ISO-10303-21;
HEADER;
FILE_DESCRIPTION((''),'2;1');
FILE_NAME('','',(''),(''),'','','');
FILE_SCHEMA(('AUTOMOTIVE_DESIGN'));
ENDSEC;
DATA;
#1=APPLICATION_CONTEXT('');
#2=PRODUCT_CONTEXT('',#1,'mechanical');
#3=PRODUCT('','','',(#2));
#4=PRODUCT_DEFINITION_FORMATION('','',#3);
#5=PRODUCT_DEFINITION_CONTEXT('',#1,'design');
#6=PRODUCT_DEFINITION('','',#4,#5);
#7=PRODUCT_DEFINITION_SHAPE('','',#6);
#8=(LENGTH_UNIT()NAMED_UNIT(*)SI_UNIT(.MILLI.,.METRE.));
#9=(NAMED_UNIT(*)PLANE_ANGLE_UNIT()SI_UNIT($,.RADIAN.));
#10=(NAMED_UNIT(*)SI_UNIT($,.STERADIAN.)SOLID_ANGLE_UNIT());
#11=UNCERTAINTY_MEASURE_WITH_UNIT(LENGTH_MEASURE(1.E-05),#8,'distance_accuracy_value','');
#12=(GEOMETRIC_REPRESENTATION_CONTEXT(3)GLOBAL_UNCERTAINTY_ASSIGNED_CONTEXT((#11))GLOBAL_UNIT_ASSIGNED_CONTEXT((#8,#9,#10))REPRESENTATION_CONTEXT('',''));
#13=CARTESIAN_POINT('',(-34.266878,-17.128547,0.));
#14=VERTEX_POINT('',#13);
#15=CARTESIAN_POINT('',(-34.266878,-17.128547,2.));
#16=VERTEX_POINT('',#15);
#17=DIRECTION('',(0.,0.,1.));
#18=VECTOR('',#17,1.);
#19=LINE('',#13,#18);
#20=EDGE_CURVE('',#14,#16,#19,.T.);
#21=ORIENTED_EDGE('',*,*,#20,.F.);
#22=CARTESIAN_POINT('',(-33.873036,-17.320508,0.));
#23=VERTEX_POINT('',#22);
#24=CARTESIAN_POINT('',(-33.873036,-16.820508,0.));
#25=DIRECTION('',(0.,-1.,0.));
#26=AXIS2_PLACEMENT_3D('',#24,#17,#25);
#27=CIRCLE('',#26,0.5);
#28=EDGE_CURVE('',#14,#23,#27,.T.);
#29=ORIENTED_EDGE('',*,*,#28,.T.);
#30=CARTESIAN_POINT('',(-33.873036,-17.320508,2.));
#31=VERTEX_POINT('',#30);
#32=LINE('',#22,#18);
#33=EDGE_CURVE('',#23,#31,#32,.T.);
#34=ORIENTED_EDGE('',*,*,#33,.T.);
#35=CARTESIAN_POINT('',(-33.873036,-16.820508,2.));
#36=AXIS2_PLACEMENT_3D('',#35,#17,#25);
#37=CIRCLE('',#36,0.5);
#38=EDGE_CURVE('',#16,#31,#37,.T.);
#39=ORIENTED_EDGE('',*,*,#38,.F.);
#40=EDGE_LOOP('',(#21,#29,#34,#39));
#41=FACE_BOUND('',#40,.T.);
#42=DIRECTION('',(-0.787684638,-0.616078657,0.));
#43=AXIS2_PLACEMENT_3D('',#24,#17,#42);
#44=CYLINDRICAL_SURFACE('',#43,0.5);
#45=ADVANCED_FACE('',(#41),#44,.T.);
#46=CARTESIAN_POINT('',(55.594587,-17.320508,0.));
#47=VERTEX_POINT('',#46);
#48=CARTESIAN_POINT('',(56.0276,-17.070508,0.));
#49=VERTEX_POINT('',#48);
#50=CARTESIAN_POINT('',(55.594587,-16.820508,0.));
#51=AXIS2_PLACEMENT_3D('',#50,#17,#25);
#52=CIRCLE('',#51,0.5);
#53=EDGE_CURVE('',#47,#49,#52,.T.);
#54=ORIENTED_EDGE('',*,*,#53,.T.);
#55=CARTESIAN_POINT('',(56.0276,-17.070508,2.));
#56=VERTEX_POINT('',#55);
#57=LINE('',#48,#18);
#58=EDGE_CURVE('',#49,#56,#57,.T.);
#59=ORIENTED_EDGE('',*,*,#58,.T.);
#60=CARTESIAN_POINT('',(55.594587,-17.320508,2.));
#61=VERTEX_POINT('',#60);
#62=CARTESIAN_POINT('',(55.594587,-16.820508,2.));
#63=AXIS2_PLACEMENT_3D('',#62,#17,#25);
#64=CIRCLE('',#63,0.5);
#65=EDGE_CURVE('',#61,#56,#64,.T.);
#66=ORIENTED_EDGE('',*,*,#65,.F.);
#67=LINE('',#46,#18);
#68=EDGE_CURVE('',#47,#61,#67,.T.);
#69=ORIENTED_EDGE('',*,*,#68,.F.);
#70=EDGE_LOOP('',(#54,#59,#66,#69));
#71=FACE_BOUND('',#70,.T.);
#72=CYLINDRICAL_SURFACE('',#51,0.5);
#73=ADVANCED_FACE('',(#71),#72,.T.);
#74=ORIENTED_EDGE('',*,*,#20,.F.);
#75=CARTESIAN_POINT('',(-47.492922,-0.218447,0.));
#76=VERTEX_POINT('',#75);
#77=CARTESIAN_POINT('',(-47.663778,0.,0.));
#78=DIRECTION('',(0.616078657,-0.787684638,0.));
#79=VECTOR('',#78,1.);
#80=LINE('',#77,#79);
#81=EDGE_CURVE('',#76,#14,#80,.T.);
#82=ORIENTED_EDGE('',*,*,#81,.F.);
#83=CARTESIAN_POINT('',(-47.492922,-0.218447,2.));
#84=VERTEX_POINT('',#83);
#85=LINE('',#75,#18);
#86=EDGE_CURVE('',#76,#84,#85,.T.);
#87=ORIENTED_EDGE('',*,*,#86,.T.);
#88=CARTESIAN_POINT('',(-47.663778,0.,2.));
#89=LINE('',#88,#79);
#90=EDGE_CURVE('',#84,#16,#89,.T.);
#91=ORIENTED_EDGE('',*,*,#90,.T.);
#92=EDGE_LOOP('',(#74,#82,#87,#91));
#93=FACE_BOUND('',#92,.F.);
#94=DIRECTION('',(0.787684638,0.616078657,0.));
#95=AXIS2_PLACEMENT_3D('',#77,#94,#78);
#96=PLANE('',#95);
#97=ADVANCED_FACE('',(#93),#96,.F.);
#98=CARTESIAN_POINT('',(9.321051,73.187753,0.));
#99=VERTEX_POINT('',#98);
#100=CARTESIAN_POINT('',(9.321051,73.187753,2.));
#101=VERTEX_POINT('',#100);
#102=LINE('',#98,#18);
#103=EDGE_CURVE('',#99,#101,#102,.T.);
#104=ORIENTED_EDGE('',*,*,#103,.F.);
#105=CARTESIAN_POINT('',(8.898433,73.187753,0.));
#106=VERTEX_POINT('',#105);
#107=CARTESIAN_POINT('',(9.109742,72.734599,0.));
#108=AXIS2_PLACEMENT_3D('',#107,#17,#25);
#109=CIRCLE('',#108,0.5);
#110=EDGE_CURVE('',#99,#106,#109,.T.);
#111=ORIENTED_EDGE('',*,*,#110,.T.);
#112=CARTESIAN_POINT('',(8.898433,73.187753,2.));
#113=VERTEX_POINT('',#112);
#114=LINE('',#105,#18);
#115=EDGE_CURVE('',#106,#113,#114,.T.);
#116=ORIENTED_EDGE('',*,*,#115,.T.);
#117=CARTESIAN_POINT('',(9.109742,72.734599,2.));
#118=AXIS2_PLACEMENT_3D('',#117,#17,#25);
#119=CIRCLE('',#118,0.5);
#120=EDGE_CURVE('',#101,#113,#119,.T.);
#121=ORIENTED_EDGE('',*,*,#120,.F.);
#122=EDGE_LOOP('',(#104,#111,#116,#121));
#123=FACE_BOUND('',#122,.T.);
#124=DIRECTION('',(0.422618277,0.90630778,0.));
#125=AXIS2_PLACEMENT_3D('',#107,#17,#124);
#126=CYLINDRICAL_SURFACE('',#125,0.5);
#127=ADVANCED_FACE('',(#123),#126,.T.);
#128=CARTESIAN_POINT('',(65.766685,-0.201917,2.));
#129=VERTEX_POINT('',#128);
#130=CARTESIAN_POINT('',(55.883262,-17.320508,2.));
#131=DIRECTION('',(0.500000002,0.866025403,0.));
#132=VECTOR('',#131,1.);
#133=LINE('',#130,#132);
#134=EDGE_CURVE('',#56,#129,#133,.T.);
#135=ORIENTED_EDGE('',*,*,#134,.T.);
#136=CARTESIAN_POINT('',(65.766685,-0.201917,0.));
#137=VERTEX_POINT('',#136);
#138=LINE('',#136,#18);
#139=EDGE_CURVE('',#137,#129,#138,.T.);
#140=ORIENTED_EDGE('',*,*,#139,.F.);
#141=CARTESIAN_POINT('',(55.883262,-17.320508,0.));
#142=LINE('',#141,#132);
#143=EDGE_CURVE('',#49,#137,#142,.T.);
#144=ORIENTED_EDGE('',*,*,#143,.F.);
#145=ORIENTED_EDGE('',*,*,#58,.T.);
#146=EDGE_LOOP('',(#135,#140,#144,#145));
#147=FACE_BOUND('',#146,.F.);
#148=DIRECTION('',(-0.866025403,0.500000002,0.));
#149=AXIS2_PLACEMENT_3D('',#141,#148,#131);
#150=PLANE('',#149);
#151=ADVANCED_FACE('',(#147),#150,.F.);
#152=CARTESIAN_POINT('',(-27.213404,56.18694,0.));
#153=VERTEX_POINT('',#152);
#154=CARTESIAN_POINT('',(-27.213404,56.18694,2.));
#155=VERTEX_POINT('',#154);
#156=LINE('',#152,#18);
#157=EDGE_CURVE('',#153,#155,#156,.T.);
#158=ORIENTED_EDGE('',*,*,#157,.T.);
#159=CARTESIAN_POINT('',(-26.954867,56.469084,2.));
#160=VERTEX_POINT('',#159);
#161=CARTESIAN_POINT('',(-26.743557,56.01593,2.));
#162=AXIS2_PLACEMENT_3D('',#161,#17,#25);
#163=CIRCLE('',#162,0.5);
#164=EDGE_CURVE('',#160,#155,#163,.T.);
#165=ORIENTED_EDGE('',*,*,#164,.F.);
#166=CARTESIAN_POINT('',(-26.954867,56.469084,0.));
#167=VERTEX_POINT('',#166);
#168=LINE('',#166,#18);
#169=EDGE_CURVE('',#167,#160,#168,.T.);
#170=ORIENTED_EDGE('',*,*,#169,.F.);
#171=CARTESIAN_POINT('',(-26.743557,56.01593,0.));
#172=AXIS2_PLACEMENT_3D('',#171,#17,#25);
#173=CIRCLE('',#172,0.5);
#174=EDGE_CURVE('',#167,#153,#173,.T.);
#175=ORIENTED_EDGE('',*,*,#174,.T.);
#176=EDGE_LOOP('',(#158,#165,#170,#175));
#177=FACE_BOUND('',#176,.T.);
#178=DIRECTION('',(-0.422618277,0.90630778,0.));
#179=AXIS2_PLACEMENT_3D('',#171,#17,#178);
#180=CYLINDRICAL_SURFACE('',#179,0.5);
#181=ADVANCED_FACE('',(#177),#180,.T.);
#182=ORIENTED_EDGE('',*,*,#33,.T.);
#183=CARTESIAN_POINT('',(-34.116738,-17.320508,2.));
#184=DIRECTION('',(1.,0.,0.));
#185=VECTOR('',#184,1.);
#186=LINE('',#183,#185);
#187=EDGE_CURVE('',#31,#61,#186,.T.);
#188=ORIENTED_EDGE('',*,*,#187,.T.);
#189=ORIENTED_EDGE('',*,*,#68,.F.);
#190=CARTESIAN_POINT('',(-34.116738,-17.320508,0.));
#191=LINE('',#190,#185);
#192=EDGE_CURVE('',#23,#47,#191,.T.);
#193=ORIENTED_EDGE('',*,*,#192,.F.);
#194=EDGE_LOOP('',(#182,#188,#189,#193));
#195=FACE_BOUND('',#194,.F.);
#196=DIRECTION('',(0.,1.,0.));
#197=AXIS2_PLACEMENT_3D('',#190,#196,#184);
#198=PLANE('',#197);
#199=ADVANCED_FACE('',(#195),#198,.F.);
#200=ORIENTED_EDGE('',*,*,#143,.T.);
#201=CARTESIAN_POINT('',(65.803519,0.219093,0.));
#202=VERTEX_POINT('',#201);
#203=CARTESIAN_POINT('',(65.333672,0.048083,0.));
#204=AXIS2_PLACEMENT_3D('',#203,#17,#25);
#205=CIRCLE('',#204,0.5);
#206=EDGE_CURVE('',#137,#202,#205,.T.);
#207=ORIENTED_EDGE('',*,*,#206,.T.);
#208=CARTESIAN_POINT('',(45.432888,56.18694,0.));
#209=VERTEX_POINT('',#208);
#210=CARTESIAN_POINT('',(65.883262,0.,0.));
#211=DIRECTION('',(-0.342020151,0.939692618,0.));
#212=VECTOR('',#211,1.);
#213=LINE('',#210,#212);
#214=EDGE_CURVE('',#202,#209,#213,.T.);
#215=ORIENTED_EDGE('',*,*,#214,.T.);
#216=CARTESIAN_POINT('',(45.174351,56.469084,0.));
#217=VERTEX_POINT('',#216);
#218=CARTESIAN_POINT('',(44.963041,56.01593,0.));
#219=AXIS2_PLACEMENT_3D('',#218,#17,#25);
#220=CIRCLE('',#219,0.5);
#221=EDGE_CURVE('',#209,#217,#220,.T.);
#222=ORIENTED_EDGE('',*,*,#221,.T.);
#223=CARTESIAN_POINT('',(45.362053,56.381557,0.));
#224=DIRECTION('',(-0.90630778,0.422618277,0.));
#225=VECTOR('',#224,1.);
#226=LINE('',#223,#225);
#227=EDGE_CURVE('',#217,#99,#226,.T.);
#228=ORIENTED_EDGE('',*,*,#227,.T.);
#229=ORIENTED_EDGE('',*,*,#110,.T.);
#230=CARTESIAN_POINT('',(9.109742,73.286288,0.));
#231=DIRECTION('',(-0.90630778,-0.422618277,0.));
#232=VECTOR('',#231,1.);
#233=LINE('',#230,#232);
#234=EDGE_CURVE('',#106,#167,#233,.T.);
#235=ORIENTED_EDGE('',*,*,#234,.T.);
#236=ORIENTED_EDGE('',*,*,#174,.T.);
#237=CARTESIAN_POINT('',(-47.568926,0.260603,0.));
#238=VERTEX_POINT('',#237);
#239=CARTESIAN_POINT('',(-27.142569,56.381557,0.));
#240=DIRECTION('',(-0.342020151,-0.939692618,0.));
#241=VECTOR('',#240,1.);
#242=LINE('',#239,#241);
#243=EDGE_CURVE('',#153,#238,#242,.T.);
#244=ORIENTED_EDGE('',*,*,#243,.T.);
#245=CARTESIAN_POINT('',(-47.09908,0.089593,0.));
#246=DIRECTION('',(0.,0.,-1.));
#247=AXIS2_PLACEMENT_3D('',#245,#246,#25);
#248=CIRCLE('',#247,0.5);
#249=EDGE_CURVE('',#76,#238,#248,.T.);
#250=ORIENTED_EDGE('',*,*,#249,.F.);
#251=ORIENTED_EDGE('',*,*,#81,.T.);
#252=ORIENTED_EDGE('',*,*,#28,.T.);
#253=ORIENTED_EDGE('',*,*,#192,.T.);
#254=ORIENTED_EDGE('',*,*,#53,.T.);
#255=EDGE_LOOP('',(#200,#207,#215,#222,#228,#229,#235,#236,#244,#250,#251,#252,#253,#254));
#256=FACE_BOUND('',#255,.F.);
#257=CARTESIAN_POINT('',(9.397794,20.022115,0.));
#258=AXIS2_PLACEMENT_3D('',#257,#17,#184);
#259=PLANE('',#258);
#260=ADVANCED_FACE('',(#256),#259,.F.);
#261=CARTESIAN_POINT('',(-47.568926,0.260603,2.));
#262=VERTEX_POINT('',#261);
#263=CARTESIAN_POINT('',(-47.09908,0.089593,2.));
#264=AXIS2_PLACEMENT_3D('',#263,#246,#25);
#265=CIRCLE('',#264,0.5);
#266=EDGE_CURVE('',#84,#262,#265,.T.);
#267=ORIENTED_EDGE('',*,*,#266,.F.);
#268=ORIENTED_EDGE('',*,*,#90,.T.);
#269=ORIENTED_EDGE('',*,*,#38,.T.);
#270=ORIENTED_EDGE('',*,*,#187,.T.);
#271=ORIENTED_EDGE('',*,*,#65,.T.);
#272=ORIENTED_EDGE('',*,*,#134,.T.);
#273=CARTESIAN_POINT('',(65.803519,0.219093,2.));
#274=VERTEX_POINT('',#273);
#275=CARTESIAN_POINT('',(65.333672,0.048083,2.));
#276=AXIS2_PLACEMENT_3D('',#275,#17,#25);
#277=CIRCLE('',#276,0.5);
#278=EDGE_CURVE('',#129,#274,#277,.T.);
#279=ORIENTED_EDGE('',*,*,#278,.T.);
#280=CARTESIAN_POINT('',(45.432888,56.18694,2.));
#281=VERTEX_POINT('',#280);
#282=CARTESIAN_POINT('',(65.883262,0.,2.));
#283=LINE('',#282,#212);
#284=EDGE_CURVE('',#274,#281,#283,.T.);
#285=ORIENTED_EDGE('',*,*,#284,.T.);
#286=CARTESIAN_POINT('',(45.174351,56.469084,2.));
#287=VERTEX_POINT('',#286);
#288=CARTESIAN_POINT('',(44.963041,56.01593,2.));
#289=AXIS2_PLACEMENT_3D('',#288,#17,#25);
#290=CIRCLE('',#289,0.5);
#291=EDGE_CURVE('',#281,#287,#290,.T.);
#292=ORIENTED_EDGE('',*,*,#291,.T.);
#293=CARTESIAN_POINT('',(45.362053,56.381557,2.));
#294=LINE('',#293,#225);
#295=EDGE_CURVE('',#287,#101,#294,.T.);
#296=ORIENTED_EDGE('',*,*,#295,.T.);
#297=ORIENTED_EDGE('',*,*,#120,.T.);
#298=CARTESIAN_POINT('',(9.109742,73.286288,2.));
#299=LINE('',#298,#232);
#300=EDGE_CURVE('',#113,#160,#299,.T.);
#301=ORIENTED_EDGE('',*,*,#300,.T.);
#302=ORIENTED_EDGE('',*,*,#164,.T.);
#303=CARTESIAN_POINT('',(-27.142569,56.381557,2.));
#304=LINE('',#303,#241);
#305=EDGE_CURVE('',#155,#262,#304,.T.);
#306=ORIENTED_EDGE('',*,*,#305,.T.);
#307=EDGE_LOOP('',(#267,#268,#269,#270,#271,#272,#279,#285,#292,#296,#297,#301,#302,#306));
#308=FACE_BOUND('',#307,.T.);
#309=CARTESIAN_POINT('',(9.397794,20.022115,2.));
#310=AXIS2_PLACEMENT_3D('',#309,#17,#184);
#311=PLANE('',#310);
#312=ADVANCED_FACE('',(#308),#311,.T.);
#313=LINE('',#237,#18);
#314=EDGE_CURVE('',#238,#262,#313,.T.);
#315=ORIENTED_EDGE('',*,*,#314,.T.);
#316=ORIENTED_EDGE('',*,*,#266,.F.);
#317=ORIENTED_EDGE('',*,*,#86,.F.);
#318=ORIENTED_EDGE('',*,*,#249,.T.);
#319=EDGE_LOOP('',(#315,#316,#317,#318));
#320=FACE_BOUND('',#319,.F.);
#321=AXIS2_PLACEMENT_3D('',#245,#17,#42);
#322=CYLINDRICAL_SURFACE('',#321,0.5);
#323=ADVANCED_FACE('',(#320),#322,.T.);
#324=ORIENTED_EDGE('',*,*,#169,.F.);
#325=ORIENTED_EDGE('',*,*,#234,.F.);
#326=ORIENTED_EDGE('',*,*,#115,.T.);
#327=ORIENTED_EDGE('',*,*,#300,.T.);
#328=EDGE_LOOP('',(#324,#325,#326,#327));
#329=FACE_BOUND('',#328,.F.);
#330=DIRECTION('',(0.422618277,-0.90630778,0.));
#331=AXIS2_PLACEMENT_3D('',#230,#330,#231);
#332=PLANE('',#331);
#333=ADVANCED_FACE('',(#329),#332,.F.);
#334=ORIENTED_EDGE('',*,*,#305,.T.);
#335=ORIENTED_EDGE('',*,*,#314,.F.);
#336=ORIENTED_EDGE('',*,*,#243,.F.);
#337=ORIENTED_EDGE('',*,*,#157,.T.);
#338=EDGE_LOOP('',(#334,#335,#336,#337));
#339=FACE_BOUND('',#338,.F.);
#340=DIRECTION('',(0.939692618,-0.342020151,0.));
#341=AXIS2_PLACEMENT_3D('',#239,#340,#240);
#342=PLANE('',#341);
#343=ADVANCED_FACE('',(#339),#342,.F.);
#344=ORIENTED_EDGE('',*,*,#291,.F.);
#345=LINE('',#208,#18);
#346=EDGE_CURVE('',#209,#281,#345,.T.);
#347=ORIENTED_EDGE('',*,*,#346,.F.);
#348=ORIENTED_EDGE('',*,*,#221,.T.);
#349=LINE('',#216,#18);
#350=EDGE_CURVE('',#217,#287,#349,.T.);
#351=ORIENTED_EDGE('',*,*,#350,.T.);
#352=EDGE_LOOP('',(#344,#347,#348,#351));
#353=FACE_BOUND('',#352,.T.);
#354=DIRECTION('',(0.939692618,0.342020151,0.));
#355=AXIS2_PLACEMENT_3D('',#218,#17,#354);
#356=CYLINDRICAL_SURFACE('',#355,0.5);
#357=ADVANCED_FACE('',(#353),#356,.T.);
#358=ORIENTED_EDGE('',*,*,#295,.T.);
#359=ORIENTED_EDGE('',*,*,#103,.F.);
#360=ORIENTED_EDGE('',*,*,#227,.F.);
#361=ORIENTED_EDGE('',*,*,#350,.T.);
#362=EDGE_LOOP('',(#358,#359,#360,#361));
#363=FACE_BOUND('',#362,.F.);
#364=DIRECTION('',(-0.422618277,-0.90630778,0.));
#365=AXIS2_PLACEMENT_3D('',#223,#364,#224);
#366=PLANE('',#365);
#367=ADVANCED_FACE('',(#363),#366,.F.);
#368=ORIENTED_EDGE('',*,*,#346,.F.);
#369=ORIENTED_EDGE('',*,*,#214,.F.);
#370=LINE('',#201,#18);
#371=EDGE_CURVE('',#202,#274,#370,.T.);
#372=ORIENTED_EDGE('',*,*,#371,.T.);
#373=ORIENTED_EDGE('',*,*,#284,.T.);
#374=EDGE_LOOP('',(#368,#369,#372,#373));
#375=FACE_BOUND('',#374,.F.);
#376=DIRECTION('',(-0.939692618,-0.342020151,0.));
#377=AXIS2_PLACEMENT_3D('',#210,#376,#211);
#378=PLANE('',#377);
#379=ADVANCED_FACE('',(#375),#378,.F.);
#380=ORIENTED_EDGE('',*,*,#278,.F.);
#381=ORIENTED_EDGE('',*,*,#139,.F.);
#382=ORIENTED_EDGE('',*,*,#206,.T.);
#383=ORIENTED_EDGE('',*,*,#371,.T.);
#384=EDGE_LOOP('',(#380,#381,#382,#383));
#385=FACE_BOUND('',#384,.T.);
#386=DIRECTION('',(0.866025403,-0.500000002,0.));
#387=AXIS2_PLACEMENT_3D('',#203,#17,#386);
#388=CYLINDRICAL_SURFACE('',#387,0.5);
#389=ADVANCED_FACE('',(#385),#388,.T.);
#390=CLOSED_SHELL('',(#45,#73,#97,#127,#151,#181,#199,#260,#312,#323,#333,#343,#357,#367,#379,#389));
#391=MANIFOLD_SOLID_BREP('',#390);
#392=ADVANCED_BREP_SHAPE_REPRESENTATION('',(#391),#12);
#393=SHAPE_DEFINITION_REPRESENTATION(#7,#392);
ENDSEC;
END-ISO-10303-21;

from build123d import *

# Parameters (mm, degrees)
F1_DEPTH = 2
F2_R     = 0.5


with BuildPart() as f1:
    # F0 (on Top) → F1 (new body)
    with BuildSketch(Plane.XY):
        Polygon((-47.663778, 0), (-34.116738, -17.320508), (55.883262, -17.320508), (65.883262, 0), (45.362053, 56.381557), (9.109742, 73.286288), (-27.142569, 56.381557), align=None)
    extrude(amount=F1_DEPTH)

    # F2
    f2_edges = [f1.edges().sort_by_distance(p)[0] for p in [
        (9.109742, 73.286288, 1),
        (-27.142569, 56.381557, 1),
        (-47.663778, 0, 1),
        (-34.116738, -17.320508, 1),
        (55.883262, -17.320508, 1),
        (65.883262, 0, 1),
        (45.362053, 56.381557, 1),
    ]]
    fillet(f2_edges, radius=F2_R)


solid = f1.part
